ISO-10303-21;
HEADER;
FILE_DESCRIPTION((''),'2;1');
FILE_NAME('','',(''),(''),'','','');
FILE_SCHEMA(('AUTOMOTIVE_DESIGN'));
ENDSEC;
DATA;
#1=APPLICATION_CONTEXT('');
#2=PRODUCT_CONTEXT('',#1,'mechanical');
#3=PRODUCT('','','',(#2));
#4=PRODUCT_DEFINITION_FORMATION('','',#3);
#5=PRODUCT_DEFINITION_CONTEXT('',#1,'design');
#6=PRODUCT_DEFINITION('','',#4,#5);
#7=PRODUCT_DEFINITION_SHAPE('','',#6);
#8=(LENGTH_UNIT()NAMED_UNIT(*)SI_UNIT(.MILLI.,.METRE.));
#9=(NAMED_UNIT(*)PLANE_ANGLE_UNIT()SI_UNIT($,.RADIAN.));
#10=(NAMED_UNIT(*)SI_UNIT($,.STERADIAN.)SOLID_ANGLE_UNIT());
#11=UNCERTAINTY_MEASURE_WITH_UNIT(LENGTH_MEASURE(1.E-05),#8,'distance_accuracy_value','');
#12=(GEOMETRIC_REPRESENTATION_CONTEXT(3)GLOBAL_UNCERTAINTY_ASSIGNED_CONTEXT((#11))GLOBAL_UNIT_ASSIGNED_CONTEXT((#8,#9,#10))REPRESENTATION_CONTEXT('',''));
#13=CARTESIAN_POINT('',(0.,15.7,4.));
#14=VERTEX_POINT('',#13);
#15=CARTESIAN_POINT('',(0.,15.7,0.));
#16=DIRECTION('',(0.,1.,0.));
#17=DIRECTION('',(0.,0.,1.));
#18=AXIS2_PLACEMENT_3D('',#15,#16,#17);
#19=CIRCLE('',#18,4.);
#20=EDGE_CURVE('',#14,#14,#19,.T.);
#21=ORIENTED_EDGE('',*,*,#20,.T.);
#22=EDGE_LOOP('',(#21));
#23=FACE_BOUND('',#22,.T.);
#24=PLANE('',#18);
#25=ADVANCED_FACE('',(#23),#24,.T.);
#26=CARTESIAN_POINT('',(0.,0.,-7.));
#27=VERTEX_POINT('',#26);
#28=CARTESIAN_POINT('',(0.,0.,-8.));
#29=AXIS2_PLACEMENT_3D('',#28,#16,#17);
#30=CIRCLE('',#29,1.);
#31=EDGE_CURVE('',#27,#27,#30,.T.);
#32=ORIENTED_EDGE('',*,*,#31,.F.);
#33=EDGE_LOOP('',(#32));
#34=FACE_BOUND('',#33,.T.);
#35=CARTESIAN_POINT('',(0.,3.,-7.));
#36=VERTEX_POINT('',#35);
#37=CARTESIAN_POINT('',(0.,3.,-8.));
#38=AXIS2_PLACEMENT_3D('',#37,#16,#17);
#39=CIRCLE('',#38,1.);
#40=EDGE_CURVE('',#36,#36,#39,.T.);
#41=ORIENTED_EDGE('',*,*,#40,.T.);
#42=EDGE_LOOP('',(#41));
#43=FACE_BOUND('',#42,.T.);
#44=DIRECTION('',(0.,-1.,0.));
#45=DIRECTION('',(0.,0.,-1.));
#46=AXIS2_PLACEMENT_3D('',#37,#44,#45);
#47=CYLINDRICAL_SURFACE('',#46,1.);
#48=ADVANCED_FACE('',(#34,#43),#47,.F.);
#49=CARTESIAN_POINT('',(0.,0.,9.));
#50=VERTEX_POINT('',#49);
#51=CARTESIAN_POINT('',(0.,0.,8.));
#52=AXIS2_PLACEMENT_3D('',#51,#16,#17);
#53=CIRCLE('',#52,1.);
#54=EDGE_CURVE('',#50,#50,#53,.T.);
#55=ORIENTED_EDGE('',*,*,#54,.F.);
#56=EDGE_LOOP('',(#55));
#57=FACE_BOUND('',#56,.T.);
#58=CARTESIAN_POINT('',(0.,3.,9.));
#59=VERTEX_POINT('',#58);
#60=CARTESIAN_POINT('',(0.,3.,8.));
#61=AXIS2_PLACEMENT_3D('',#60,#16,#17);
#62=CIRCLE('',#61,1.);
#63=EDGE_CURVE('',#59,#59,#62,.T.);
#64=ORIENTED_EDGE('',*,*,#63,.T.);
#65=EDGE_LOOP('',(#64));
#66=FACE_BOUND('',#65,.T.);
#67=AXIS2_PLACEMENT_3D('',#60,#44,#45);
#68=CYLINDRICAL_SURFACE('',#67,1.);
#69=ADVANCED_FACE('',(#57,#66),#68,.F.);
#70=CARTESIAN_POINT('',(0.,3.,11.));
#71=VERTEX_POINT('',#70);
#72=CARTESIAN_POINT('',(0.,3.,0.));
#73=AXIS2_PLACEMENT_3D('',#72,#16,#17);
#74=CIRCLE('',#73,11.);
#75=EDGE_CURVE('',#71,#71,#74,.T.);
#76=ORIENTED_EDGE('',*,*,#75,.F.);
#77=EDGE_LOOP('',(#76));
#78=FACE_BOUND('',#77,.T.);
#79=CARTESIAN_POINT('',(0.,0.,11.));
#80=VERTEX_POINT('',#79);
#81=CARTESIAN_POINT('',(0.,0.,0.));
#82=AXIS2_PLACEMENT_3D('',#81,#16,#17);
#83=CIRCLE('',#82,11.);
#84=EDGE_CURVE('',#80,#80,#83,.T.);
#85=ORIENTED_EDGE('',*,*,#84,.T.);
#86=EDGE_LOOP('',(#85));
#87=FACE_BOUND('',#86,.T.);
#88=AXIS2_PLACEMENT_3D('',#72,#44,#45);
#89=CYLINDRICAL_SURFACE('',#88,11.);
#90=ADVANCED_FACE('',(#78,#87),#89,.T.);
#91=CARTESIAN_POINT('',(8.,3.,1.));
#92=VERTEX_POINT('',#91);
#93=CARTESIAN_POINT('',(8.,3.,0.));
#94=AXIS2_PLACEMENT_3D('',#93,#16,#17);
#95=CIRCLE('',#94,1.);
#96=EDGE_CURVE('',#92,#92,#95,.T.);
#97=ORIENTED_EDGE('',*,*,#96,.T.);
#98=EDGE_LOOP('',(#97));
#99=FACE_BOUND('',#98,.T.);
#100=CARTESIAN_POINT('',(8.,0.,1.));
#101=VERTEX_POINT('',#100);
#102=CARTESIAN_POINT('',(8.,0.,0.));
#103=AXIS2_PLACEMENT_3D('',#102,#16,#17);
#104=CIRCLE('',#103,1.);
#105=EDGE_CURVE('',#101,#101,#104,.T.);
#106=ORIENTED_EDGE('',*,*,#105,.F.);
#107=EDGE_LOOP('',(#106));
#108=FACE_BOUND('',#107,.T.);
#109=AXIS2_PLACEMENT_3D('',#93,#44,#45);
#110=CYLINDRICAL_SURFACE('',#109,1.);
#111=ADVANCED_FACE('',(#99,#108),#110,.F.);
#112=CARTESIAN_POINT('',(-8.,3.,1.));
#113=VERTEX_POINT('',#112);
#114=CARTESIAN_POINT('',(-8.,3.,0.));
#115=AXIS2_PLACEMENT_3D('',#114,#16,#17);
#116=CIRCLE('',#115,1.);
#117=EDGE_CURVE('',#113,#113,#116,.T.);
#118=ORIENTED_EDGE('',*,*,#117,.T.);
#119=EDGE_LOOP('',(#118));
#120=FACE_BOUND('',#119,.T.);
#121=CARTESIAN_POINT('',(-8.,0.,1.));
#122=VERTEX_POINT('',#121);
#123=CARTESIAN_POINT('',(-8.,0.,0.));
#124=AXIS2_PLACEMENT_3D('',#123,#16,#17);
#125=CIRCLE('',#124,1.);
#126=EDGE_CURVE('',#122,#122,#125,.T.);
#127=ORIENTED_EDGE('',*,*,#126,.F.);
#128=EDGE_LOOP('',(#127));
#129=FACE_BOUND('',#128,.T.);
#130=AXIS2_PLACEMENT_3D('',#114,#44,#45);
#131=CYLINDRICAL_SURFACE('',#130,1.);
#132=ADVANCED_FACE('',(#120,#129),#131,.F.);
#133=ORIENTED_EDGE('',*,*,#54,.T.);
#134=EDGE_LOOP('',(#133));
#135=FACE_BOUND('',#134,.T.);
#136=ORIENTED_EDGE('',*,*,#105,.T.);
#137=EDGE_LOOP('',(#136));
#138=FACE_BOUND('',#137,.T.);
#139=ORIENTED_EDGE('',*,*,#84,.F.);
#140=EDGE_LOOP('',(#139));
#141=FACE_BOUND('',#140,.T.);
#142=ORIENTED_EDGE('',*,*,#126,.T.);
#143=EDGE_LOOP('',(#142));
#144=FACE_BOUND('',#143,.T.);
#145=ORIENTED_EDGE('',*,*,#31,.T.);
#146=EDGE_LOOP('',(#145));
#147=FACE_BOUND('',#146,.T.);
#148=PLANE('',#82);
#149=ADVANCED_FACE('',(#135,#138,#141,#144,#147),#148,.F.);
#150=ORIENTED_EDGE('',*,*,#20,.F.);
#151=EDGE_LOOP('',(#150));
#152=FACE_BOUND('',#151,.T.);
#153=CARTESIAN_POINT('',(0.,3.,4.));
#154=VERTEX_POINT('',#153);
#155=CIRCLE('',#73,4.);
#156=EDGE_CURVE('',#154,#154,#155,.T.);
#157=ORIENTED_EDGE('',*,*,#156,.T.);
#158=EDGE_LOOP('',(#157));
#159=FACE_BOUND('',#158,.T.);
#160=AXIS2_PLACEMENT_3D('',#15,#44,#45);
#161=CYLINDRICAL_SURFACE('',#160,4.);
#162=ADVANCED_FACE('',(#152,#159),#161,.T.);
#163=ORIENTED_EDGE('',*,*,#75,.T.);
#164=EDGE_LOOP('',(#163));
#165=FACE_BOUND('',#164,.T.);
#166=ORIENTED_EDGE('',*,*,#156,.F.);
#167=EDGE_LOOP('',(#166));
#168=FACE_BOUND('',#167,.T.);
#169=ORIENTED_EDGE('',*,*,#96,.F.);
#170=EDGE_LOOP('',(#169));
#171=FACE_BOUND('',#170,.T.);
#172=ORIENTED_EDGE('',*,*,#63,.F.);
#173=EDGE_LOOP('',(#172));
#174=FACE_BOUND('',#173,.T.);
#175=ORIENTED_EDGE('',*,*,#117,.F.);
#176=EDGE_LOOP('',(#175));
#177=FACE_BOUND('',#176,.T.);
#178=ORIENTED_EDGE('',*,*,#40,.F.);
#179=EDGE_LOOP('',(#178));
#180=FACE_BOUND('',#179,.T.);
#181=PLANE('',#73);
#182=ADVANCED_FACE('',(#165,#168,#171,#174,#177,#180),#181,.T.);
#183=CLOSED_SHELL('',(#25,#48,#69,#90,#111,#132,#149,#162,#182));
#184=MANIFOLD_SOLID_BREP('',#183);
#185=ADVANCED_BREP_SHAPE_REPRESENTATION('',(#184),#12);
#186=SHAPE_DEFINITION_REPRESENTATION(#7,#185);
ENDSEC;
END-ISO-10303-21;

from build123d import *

# Parameters (mm, degrees)
SKETCH1_R           = 11
SKETCH1_R_2         = 1
BOSS_EXTRUDE1_DEPTH = 3
SKETCH2_R           = 4
BOSS_EXTRUDE2_DEPTH = 12.7


with BuildPart() as part:
    # Sketch1 → Boss-Extrude1 (new body)
    with BuildSketch(Plane(origin=(0, 0, 0), x_dir=(1, 0, 0), z_dir=(0, 1, 0))):
        with Locations(Location((0, 0, 0), (0, 0, 270))):
            Circle(SKETCH1_R)
        with Locations(Location((0, 8, 0), (0, 0, 270))):
            Circle(SKETCH1_R_2, mode=Mode.SUBTRACT)
        with Locations(Location((8, 0, 0), (0, 0, 270))):
            Circle(SKETCH1_R_2, mode=Mode.SUBTRACT)
        with Locations(Location((0, -8, 0), (0, 0, 270))):
            Circle(SKETCH1_R_2, mode=Mode.SUBTRACT)
        with Locations(Location((-8, 0, 0), (0, 0, 270))):
            Circle(SKETCH1_R_2, mode=Mode.SUBTRACT)
    extrude(amount=BOSS_EXTRUDE1_DEPTH)

    # Sketch2 → Boss-Extrude2 (add)
    with BuildSketch(Plane(origin=(0, 3, 0), x_dir=(1, 0, 0), z_dir=(0, 1, 0))):
        with Locations(Location((0, 0, 0), (0, 0, 270))):
            Circle(SKETCH2_R)
    extrude(amount=BOSS_EXTRUDE2_DEPTH)


solid = part.part
